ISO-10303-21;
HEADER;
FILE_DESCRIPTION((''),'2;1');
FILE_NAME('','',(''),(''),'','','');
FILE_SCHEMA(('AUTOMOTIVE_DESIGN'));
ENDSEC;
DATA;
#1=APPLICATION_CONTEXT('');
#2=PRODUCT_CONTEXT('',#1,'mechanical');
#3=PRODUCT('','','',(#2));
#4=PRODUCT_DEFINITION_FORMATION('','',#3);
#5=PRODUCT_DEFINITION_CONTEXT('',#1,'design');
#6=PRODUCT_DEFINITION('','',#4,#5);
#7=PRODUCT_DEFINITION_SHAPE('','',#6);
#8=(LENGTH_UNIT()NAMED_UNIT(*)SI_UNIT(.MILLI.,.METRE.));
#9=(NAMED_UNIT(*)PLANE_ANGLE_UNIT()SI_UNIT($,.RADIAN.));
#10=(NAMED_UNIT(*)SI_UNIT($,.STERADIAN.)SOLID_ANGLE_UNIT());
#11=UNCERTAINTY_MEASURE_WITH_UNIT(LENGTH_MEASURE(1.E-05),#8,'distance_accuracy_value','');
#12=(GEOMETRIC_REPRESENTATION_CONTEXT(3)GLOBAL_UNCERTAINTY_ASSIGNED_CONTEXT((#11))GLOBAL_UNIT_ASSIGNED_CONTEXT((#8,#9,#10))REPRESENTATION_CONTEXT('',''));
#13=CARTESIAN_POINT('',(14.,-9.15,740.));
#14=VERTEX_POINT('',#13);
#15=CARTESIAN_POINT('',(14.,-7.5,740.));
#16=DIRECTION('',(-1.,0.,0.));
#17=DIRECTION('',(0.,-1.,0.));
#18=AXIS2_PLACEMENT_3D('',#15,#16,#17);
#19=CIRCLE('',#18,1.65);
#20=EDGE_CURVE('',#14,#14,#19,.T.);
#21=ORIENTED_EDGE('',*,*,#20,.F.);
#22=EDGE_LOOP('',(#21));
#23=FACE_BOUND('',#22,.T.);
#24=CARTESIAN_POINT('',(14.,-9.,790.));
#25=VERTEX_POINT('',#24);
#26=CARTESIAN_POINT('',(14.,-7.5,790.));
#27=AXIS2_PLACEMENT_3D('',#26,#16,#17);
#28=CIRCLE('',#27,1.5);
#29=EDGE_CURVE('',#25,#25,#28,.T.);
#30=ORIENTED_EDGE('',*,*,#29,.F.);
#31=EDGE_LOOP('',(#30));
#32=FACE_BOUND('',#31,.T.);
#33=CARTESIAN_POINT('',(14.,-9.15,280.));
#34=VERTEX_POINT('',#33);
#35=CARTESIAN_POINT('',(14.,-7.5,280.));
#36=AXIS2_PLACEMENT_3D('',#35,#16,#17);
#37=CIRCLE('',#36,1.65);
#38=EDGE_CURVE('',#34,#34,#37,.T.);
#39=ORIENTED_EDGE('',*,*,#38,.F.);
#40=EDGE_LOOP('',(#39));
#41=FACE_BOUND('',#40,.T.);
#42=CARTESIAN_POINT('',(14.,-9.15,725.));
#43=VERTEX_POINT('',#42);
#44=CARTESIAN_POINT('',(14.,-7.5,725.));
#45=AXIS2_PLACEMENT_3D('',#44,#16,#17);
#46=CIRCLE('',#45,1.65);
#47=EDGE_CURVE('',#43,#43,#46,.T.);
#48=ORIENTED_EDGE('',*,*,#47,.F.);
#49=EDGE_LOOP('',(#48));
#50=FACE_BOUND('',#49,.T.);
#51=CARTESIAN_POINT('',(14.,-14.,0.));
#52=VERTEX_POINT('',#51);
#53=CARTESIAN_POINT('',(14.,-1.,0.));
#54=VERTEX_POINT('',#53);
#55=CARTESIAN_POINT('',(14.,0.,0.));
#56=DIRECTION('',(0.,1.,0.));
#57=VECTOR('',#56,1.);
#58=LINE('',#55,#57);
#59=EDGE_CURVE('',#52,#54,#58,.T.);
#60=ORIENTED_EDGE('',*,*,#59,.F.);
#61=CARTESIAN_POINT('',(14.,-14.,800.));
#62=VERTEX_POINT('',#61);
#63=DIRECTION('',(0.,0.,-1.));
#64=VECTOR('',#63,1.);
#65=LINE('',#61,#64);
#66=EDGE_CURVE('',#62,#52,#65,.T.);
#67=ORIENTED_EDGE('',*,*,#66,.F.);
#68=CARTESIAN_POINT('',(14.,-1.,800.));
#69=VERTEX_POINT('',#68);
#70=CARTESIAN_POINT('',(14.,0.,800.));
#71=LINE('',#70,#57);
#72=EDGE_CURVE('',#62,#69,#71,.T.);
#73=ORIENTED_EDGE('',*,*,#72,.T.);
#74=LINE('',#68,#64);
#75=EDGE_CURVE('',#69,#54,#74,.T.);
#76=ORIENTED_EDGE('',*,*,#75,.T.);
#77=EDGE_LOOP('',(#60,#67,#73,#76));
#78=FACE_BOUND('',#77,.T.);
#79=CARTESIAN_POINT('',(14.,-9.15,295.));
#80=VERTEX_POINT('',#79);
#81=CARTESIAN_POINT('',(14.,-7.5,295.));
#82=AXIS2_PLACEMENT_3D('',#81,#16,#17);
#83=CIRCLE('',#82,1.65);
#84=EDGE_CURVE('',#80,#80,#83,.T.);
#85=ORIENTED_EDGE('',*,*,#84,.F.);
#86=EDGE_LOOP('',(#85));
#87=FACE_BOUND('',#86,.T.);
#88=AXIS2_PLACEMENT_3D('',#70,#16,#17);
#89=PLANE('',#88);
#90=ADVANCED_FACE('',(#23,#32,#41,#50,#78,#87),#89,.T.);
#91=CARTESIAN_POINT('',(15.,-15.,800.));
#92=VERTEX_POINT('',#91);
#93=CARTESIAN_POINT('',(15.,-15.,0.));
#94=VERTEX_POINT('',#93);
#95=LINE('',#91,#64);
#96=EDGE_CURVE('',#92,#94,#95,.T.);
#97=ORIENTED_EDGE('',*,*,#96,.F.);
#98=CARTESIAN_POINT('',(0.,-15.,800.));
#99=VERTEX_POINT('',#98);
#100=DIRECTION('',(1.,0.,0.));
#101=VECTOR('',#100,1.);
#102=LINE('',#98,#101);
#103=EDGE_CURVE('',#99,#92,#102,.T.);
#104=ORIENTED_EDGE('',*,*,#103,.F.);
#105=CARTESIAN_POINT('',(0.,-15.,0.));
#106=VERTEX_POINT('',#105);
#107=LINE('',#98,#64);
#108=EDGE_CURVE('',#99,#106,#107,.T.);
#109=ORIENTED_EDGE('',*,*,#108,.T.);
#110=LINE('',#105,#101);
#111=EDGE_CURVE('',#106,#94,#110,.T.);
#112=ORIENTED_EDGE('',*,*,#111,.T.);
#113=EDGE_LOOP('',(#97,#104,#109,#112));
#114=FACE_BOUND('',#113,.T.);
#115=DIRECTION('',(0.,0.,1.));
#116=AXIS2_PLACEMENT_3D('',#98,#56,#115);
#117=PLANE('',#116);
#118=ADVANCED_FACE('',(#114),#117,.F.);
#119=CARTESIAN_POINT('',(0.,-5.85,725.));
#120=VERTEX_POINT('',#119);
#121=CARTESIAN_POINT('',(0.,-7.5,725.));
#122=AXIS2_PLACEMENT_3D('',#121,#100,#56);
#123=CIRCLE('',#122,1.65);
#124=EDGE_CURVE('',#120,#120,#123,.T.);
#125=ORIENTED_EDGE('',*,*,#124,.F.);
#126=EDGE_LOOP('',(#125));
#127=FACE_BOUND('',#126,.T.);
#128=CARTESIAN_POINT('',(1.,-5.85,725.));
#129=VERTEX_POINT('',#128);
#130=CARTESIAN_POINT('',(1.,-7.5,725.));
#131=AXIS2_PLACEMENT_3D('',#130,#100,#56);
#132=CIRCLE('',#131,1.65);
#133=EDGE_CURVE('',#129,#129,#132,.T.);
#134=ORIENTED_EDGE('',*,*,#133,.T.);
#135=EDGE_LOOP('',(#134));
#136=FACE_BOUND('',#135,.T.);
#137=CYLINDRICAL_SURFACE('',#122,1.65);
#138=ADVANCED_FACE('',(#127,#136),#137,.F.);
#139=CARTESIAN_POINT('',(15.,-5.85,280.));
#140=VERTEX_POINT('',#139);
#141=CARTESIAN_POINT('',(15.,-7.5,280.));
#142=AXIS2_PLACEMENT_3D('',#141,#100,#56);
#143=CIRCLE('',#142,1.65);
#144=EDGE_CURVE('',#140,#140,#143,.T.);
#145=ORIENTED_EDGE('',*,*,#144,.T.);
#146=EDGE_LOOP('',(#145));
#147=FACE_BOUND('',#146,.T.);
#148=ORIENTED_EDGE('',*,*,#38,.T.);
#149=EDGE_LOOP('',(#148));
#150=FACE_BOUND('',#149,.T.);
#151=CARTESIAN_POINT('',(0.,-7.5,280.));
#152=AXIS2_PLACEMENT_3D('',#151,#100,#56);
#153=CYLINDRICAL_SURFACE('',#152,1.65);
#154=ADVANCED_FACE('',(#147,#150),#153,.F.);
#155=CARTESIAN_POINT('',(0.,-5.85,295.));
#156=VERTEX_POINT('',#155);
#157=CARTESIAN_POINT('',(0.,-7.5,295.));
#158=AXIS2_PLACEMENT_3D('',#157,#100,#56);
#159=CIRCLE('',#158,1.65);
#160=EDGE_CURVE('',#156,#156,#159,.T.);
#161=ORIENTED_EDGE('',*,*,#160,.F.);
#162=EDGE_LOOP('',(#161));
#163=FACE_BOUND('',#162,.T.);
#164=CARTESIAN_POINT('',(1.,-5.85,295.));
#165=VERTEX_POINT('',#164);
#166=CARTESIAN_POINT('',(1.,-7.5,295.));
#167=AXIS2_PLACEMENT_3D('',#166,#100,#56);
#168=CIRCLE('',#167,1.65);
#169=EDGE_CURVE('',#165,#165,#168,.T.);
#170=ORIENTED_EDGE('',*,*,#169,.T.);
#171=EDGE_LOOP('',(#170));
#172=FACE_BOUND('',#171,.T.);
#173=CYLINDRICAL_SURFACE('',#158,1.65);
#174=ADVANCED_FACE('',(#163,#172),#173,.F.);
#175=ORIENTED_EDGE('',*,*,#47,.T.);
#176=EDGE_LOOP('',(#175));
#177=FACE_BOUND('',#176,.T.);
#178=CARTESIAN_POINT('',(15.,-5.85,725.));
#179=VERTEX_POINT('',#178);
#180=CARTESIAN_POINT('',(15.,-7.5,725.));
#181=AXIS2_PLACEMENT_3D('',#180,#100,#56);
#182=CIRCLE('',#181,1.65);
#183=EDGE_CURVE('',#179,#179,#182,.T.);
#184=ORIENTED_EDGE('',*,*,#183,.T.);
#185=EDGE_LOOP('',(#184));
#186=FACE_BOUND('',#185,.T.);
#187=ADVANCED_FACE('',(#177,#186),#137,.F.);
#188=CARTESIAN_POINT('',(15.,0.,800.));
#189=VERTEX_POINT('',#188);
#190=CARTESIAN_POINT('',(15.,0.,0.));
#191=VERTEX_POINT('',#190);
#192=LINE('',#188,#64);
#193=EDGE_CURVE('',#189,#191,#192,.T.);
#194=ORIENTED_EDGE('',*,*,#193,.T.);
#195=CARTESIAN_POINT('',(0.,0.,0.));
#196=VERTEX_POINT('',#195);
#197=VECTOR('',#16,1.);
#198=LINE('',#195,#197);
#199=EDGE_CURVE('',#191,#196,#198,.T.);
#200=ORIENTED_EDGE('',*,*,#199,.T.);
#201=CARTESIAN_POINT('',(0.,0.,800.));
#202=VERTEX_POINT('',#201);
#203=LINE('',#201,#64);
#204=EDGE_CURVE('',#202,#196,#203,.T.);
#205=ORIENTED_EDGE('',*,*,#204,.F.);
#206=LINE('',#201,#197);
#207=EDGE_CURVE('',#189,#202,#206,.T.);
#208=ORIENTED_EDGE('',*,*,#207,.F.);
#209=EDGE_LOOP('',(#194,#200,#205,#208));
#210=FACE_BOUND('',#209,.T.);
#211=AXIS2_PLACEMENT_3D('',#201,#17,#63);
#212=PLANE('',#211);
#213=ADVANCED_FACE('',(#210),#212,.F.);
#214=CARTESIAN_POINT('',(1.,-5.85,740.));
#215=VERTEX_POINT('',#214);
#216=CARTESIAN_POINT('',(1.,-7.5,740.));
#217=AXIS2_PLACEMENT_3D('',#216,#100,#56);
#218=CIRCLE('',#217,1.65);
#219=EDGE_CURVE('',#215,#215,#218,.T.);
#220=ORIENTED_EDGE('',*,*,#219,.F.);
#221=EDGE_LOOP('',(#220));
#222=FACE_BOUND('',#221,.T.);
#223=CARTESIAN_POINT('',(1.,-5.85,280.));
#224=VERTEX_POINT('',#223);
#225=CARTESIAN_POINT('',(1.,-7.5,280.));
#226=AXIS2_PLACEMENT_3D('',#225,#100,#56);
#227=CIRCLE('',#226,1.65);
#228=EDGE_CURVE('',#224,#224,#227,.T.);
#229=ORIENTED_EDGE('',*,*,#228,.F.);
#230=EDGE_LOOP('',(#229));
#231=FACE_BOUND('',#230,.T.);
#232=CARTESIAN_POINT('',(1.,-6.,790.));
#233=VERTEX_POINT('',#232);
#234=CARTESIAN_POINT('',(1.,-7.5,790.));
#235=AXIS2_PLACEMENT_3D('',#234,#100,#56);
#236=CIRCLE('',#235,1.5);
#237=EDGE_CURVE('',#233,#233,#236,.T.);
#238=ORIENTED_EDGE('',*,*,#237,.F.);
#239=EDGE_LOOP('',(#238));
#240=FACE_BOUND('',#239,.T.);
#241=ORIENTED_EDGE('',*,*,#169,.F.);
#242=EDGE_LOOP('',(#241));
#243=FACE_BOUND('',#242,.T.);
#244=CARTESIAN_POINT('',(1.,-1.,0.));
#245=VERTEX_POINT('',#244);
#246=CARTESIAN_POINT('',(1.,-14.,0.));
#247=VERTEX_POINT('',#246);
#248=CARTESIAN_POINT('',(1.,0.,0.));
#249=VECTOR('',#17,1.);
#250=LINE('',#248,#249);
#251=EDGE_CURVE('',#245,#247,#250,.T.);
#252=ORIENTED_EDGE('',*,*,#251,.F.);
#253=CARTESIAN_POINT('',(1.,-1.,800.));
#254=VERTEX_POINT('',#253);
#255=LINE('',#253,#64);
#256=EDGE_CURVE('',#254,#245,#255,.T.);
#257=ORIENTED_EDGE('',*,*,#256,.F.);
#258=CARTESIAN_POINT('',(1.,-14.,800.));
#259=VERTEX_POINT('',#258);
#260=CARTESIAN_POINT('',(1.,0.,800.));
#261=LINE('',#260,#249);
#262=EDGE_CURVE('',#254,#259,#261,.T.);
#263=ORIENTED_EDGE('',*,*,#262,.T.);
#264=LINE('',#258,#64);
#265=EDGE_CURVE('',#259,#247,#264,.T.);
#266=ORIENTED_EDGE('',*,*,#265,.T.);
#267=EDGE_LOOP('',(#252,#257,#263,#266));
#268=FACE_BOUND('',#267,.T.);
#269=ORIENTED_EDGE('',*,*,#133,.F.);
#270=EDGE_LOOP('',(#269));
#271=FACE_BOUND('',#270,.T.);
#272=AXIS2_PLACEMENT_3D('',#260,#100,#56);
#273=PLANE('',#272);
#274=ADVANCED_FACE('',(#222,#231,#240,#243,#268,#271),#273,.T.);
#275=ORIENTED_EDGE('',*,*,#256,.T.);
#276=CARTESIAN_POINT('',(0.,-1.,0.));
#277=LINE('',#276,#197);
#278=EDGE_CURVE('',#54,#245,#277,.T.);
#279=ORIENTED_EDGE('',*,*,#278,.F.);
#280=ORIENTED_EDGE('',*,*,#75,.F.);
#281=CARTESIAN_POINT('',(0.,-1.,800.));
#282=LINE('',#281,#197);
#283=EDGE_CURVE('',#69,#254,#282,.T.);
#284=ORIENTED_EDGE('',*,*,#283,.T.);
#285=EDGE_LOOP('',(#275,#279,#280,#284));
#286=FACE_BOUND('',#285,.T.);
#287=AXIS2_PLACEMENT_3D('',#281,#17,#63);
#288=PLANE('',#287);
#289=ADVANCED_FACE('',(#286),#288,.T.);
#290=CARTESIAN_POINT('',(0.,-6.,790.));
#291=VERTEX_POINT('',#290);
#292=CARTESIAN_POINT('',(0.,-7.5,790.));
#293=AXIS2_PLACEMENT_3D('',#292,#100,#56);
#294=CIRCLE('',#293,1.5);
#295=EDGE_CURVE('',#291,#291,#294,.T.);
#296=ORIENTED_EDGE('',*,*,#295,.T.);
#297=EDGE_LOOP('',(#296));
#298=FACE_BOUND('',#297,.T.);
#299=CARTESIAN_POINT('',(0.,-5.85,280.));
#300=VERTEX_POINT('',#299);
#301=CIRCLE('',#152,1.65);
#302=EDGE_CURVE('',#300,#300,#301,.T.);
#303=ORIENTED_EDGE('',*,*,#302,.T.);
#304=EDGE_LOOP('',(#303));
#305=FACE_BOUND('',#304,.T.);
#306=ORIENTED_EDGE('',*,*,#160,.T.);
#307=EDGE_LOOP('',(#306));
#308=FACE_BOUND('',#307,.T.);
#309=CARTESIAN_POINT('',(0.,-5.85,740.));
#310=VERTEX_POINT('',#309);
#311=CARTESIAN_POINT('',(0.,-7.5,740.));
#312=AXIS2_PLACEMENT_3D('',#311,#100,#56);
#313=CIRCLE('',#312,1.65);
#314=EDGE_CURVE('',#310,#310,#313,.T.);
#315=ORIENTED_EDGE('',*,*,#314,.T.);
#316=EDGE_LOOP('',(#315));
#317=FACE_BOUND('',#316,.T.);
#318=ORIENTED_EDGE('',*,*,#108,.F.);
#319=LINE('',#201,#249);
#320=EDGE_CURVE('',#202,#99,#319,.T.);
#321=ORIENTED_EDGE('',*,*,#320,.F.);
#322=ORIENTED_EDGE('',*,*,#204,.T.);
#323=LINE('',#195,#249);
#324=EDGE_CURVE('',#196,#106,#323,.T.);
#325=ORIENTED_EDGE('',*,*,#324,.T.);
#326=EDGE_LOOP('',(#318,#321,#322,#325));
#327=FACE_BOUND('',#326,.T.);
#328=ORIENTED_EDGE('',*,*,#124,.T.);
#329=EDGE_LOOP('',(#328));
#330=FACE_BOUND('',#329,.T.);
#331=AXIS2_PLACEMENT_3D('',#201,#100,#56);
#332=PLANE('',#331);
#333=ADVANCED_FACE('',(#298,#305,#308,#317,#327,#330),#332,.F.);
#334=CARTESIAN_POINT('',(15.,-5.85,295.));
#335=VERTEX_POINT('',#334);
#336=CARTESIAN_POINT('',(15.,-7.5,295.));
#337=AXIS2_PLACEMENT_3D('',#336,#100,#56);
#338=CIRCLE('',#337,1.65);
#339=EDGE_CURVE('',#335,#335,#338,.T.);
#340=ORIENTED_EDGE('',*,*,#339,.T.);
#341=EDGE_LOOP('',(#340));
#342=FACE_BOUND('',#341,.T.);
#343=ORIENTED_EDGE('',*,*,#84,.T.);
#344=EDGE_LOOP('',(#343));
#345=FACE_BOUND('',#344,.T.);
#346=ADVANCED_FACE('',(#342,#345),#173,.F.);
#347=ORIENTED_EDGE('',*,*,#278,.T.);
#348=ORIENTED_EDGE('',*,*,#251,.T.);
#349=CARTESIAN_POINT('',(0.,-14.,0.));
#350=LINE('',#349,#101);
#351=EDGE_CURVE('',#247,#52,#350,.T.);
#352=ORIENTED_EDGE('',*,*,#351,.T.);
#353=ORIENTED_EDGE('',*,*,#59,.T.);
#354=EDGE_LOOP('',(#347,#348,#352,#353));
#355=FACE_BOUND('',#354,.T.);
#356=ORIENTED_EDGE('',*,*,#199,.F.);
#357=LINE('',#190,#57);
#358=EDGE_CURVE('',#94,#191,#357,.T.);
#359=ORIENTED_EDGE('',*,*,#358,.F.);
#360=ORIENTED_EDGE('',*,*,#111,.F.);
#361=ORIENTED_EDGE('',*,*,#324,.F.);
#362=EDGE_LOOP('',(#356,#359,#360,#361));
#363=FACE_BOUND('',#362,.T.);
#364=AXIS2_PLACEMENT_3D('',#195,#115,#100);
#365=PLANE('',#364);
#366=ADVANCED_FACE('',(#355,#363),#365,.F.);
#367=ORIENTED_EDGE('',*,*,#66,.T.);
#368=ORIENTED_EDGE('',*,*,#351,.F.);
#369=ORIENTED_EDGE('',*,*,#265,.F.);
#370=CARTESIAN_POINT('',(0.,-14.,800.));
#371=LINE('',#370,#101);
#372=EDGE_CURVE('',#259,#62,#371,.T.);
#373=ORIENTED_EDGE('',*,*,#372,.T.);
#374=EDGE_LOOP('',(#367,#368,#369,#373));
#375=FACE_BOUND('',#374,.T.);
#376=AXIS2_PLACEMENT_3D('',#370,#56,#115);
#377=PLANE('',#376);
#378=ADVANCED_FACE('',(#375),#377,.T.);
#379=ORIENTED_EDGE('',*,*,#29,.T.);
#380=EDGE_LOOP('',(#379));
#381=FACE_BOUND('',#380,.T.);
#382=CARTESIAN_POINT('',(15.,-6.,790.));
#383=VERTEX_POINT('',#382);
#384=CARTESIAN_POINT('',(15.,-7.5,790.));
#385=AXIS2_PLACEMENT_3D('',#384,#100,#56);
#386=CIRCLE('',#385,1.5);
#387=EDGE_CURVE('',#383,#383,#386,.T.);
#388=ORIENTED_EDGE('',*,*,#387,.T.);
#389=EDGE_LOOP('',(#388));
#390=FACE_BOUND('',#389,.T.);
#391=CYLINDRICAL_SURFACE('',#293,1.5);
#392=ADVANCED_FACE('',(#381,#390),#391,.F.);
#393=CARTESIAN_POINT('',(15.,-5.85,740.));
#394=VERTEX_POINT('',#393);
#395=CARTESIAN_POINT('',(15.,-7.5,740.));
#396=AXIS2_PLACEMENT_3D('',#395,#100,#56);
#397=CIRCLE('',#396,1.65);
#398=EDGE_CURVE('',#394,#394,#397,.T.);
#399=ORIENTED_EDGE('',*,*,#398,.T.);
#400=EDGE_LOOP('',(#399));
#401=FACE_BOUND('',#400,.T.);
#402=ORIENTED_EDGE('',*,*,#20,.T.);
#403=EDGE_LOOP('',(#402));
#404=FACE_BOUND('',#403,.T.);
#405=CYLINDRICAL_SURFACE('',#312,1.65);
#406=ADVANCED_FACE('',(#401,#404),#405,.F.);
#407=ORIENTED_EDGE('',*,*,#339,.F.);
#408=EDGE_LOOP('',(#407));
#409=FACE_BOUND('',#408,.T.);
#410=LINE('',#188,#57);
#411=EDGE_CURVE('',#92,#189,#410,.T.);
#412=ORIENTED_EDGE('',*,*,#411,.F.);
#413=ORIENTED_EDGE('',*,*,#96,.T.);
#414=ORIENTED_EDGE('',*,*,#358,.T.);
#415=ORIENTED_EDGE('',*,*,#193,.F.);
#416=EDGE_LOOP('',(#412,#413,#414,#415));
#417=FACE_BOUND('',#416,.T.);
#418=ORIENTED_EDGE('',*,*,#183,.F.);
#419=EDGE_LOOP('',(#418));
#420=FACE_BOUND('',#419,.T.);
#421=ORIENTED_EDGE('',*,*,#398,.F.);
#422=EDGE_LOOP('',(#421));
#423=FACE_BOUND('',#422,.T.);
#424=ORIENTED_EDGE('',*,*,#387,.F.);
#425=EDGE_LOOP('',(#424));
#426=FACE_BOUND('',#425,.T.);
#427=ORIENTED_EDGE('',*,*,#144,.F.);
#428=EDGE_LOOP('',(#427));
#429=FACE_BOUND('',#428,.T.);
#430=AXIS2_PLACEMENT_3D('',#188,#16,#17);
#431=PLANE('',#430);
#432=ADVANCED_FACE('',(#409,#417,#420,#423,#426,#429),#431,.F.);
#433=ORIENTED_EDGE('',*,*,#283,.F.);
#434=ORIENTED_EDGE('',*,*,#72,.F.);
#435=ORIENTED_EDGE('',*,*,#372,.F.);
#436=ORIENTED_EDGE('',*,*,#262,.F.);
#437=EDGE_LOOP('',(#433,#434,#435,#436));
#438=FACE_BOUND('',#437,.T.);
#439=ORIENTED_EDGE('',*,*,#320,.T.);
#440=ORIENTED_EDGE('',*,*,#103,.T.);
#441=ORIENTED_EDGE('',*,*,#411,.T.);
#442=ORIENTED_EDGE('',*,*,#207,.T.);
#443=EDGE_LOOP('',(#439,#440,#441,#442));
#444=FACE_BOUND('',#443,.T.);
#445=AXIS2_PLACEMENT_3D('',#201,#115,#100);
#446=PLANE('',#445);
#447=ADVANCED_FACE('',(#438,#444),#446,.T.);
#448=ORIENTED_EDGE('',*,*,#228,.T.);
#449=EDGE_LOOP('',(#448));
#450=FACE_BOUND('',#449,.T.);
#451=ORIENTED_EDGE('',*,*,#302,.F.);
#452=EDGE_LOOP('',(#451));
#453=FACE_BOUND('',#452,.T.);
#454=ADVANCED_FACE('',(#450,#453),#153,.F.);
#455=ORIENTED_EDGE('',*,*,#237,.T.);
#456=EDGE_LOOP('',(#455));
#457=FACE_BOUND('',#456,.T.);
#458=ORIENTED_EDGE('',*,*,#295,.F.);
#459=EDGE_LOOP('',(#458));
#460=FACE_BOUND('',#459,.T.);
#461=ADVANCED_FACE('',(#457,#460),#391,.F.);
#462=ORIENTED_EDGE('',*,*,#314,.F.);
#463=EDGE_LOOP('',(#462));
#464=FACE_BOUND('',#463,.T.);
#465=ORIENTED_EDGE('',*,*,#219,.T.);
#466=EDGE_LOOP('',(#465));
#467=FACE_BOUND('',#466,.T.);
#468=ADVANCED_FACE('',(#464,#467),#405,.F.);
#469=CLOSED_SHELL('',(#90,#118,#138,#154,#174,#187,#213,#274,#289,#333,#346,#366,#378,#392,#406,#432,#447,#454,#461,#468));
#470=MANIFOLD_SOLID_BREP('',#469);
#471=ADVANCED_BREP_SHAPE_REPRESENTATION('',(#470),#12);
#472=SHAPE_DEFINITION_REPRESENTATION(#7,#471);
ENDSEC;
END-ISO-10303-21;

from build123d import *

# Parameters (mm, degrees)
SKETCH_1_W          = 15
SKETCH_1_H          = 15
SKETCH_1_W_2        = 13
SKETCH_1_H_2        = 13
EXTRUDE_1_DEPTH     = 800
SKETCH_4_R          = 1.5
CUT_EXTRUDE_3_DEPTH = 801.281200579
SKETCH_5_R          = 1.65
CUT_EXTRUDE_4_DEPTH = 801.281200579


with BuildPart() as part:
    # 草图1 → 拉伸-薄壁1 (new body)
    with BuildSketch(Plane.XY):
        with Locations((7.5, -7.5)):
            Rectangle(SKETCH_1_W, SKETCH_1_H)
        with Locations((7.5, -7.5)):
            Rectangle(SKETCH_1_W_2, SKETCH_1_H_2, mode=Mode.SUBTRACT)
    extrude(amount=EXTRUDE_1_DEPTH)

    # 草图4 → 切除-拉伸3 (cut, through all)
    with BuildSketch(Plane(origin=(15, 0, 0), x_dir=(0, 0, -1), z_dir=(1, 0, 0))):
        with Locations(Location((-790, -7.5, 0), (0, 0, 90))):
            Circle(SKETCH_4_R)
    extrude(amount=-CUT_EXTRUDE_3_DEPTH, mode=Mode.SUBTRACT)

    # 草图5 → 切除-拉伸4 (cut, through all)
    with BuildSketch(Plane(origin=(15, 0, 0), x_dir=(0, 0, -1), z_dir=(1, 0, 0))):
        with Locations(Location((-280, -7.5, 0), (0, 0, 90))):
            Circle(SKETCH_5_R)
        with Locations(Location((-295, -7.5, 0), (0, 0, 90))):
            Circle(SKETCH_5_R)
        with Locations(Location((-725, -7.5, 0), (0, 0, 90))):
            Circle(SKETCH_5_R)
        with Locations(Location((-740, -7.5, 0), (0, 0, 90))):
            Circle(SKETCH_5_R)
    extrude(amount=-CUT_EXTRUDE_4_DEPTH, mode=Mode.SUBTRACT)


solid = part.part
